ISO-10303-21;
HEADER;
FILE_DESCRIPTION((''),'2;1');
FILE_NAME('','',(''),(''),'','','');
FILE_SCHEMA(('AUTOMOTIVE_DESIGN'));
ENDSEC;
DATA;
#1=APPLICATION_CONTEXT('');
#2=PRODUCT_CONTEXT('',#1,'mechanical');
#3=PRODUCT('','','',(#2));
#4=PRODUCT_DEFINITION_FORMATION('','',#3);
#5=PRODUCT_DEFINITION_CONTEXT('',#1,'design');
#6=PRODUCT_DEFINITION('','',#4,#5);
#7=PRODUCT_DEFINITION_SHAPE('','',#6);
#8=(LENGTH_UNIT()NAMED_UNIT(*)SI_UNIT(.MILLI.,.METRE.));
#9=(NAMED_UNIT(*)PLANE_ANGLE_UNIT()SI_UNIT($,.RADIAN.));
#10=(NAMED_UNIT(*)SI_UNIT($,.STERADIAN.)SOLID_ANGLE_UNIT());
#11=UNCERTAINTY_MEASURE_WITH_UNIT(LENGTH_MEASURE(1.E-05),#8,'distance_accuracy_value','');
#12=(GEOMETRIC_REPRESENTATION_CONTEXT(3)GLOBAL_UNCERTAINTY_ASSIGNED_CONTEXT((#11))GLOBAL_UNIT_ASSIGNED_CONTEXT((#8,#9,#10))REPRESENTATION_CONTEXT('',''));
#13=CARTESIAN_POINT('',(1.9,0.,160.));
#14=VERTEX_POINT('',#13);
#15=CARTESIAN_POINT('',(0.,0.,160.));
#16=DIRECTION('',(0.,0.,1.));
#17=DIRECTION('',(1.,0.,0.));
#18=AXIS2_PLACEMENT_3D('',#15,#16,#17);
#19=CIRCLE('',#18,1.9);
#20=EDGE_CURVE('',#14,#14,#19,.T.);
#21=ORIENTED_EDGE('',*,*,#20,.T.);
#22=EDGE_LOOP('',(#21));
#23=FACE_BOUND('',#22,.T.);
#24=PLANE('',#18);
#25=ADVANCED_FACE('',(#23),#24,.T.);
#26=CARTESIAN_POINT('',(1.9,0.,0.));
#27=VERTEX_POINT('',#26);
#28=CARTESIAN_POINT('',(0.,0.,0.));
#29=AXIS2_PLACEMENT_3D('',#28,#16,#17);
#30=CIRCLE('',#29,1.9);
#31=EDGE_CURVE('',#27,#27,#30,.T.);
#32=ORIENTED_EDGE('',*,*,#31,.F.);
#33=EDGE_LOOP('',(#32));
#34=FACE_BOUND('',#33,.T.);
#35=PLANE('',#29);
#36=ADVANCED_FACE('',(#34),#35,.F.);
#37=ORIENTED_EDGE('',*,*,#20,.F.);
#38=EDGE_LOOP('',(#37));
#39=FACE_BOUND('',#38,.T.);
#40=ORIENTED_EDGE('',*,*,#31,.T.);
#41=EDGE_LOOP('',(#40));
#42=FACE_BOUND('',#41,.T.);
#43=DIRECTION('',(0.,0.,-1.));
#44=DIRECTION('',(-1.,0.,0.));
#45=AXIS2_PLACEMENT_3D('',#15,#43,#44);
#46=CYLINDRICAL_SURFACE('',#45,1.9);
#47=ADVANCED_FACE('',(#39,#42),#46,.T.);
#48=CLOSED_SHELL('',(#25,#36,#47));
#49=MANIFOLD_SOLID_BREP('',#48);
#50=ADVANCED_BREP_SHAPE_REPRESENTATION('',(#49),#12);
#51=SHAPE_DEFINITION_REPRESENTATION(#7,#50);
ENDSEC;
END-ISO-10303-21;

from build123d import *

# Parameters (mm, degrees)
SKETCH1_R           = 1.9
BOSS_EXTRUDE1_DEPTH = 160


with BuildPart() as part:
    # Sketch1 → Boss-Extrude1 (new body)
    with BuildSketch(Plane.XY):
        Circle(SKETCH1_R)
    extrude(amount=BOSS_EXTRUDE1_DEPTH)


solid = part.part
